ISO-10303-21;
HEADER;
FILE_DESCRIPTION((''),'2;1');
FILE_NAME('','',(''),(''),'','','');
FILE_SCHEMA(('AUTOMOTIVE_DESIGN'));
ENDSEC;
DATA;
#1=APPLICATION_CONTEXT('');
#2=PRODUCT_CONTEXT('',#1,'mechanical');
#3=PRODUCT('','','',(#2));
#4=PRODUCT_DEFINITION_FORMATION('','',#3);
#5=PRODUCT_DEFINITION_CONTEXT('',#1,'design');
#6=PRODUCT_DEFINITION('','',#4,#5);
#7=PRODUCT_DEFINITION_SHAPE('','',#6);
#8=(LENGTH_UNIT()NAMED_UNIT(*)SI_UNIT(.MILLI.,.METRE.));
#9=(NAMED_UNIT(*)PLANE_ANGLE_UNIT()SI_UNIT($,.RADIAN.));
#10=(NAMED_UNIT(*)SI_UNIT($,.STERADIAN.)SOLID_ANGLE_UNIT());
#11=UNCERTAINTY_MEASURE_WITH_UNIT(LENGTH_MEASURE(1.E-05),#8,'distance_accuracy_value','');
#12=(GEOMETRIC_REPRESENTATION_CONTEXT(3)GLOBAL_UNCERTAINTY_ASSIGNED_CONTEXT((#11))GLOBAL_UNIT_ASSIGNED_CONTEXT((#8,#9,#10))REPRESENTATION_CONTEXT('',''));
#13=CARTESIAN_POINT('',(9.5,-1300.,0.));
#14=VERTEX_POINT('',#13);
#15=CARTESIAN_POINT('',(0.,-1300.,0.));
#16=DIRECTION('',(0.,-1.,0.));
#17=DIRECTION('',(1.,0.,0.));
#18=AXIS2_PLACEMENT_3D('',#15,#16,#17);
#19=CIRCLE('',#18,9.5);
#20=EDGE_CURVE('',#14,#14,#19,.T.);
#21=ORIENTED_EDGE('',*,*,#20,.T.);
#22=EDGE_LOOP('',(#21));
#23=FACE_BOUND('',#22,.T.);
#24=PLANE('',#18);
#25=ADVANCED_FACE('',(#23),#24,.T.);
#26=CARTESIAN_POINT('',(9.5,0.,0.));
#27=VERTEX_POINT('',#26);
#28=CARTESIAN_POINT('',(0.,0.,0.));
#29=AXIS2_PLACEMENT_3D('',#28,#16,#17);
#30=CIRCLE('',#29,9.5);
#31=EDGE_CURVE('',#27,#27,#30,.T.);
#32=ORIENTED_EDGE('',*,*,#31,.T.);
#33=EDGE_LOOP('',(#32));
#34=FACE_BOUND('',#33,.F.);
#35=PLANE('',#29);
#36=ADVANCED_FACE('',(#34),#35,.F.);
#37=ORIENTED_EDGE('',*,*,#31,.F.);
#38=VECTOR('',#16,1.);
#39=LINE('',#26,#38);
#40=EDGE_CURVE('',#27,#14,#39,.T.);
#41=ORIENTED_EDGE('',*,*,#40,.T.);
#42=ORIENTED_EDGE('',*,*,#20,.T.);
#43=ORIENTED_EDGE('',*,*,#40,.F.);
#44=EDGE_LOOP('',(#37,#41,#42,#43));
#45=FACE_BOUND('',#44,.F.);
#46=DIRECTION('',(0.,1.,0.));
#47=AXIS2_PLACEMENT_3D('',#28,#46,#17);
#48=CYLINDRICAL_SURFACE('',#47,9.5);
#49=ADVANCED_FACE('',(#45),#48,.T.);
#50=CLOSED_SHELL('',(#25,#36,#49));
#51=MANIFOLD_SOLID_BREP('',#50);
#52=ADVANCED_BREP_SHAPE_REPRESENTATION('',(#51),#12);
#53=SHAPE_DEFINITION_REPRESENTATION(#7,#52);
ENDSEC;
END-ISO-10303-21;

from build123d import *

# Parameters (mm, degrees)
SKETCH_R  = 9.5
PAD_DEPTH = 1300


with BuildPart() as part:
    # Sketch → Pad (new body)
    with BuildSketch(Plane.XZ):
        Circle(SKETCH_R)
    extrude(amount=PAD_DEPTH)


solid = part.part
